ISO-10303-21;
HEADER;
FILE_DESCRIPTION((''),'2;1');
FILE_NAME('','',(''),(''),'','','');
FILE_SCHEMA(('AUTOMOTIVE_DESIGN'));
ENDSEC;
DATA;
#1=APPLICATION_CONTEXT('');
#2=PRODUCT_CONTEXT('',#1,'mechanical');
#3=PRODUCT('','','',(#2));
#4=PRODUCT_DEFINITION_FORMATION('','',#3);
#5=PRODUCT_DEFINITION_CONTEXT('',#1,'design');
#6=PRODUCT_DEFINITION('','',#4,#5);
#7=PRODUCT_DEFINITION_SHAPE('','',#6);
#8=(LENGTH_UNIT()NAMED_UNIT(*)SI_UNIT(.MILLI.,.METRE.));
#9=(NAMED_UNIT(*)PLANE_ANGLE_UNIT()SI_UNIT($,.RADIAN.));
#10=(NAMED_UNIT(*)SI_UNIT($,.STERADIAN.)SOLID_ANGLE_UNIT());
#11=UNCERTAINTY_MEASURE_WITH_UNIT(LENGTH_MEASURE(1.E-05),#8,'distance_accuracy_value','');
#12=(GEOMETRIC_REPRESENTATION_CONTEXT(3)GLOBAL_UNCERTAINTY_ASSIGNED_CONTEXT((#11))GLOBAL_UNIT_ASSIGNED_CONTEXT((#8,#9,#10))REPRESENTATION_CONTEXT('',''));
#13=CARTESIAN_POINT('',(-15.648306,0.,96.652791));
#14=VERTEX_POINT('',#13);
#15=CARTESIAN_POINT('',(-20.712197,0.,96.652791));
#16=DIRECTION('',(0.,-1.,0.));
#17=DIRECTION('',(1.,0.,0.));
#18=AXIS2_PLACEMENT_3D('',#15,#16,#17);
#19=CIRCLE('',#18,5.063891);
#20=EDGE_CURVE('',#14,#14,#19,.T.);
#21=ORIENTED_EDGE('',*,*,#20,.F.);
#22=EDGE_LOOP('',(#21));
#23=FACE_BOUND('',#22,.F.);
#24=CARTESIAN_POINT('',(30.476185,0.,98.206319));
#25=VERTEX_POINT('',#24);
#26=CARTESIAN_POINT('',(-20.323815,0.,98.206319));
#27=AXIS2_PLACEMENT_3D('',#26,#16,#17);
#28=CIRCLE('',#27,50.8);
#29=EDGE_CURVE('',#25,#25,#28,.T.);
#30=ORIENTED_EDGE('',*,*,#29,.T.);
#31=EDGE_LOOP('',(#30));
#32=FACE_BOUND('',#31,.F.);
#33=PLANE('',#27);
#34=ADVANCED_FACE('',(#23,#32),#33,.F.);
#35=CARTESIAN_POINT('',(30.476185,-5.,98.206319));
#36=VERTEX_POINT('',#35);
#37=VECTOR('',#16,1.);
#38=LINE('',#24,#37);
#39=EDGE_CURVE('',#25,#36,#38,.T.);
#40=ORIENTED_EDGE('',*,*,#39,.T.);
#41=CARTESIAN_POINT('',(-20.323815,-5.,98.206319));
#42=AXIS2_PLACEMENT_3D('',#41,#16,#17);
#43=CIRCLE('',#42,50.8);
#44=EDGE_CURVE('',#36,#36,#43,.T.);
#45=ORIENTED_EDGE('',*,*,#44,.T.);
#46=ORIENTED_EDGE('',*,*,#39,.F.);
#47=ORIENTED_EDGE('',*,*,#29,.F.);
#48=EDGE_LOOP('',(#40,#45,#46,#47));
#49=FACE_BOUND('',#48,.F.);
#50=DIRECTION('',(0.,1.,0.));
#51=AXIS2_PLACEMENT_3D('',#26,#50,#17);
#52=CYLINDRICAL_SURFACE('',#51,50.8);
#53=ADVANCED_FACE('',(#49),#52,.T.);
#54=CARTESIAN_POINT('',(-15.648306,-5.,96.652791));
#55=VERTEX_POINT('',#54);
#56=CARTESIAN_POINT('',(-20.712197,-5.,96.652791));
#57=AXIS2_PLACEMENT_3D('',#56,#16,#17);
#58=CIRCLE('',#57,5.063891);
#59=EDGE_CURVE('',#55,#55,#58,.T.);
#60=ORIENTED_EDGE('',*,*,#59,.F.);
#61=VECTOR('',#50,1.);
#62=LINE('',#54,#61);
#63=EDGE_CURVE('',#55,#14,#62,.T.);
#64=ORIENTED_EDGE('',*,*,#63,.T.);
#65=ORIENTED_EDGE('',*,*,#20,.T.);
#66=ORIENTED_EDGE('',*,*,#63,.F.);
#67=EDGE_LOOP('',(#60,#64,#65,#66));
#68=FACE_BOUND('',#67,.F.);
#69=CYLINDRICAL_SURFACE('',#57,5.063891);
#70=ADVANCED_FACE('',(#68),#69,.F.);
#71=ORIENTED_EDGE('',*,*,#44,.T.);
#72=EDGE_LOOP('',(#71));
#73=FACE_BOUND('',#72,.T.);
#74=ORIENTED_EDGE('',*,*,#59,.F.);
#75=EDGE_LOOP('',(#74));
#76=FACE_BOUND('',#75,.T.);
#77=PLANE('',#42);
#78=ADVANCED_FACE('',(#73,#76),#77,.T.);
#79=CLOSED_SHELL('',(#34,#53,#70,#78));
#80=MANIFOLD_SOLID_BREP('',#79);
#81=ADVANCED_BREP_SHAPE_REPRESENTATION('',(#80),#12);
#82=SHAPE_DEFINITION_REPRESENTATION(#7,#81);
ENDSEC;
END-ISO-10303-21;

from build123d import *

# Parameters (mm, degrees)
F0_R     = 50.8
F1_DEPTH = 5
F3_R     = 5.063891
F4_DEPTH = 5.001


with BuildPart() as f1:
    # F0 (on Front) → F1 (new body)
    with BuildSketch(Plane.XZ):
        with Locations((-20.323815, 98.206319)):
            Circle(F0_R)
    extrude(amount=F1_DEPTH)

    # F3 (on face) → F4 (cut, through all)
    with BuildSketch(Plane.XZ.offset(5)):
        with Locations((-20.712197, 96.652791)):
            Circle(F3_R)
    extrude(amount=-F4_DEPTH, mode=Mode.SUBTRACT)


solid = f1.part
